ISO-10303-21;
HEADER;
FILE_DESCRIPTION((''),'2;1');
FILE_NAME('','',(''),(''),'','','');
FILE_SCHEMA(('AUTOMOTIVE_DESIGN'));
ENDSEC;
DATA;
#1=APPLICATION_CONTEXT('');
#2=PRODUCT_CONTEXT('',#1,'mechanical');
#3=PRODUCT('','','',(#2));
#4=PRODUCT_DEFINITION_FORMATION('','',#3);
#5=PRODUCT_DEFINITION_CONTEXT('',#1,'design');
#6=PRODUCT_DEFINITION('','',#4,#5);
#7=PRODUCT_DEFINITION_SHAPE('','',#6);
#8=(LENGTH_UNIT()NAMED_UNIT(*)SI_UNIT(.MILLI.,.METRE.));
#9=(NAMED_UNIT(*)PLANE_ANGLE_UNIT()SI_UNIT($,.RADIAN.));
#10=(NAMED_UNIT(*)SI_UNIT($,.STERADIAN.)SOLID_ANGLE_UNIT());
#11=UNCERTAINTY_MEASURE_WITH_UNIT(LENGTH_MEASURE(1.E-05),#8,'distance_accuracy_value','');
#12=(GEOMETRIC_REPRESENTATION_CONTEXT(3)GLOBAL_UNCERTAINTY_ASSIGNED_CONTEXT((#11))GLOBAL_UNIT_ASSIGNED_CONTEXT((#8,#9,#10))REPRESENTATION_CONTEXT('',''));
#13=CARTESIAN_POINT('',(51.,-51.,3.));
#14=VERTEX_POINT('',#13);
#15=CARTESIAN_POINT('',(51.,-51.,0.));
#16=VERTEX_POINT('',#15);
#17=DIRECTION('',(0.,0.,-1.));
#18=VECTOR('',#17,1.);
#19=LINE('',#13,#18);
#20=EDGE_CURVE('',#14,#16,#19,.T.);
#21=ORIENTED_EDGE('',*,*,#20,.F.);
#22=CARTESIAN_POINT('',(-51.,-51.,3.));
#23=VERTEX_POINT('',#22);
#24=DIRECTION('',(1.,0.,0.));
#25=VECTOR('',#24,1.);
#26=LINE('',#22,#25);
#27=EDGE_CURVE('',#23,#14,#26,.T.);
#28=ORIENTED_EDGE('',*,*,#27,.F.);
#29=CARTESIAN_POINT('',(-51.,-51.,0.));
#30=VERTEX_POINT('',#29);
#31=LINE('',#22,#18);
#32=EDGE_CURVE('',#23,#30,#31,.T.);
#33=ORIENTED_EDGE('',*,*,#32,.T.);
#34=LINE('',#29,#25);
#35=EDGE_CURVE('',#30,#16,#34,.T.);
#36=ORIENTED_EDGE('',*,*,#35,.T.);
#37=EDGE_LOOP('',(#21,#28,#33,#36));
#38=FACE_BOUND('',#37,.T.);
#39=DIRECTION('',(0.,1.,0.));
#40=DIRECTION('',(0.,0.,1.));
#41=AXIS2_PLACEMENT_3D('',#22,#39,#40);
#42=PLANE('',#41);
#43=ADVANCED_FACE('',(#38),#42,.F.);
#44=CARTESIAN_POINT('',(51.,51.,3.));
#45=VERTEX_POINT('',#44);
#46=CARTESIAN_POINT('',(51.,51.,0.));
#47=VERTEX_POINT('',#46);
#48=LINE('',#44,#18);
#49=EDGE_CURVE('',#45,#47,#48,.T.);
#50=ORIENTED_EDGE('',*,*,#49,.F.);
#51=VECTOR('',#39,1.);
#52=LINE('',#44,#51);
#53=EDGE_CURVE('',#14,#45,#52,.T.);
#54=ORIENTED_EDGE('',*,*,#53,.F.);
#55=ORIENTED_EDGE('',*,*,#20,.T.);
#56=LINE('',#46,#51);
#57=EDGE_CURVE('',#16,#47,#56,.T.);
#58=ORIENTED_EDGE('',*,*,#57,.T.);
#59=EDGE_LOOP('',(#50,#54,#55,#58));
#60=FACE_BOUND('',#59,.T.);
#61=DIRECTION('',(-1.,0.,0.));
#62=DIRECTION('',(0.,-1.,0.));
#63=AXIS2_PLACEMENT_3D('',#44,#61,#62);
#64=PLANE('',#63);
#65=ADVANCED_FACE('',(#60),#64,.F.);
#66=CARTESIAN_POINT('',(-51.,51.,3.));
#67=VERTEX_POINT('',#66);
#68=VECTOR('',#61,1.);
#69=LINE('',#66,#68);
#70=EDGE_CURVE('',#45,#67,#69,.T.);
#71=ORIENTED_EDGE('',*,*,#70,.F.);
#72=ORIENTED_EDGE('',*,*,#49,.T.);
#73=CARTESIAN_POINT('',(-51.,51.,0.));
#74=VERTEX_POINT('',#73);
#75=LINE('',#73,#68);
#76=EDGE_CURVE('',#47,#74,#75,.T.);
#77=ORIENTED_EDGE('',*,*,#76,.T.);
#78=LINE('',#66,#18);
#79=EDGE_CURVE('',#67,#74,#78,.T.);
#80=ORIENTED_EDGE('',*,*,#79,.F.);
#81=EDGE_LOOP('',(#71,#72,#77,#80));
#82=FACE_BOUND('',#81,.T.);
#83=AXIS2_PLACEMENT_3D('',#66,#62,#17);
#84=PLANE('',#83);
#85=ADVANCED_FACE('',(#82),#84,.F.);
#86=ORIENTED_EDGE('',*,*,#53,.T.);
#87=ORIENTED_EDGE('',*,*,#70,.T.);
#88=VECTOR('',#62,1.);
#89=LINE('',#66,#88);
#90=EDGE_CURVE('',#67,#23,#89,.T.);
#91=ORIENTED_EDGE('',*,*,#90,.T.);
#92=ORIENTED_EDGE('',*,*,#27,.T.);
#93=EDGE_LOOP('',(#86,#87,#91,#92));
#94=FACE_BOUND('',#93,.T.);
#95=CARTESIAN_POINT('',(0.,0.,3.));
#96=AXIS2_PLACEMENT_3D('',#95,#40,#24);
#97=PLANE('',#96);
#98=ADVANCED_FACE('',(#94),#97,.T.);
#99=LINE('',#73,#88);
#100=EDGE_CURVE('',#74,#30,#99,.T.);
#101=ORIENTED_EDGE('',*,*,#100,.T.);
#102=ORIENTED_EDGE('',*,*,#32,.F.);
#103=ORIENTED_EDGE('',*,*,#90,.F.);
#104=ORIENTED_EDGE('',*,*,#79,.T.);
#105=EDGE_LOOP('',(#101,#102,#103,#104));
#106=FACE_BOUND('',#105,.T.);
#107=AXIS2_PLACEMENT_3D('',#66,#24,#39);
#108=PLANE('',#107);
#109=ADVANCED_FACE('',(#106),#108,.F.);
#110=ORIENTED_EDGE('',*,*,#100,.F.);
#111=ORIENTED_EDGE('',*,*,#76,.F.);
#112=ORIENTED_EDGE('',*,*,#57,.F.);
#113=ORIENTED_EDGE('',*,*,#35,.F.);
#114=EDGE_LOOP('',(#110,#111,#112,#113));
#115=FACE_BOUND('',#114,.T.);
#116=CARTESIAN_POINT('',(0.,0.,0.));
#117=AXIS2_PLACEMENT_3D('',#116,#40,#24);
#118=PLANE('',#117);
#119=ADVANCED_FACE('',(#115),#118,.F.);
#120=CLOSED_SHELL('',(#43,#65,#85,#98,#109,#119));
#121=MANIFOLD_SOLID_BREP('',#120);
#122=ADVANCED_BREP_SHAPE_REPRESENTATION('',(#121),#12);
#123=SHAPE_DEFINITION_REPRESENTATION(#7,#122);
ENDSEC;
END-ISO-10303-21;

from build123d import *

# Parameters (mm, degrees)
SKETCH_1_W      = 102
SKETCH_1_H      = 102
EXTRUDE_1_DEPTH = 3


with BuildPart() as part:
    # 草图1 → 凸台-拉伸1 (new body)
    with BuildSketch(Plane.XY):
        Rectangle(SKETCH_1_W, SKETCH_1_H)
    extrude(amount=EXTRUDE_1_DEPTH)


solid = part.part
